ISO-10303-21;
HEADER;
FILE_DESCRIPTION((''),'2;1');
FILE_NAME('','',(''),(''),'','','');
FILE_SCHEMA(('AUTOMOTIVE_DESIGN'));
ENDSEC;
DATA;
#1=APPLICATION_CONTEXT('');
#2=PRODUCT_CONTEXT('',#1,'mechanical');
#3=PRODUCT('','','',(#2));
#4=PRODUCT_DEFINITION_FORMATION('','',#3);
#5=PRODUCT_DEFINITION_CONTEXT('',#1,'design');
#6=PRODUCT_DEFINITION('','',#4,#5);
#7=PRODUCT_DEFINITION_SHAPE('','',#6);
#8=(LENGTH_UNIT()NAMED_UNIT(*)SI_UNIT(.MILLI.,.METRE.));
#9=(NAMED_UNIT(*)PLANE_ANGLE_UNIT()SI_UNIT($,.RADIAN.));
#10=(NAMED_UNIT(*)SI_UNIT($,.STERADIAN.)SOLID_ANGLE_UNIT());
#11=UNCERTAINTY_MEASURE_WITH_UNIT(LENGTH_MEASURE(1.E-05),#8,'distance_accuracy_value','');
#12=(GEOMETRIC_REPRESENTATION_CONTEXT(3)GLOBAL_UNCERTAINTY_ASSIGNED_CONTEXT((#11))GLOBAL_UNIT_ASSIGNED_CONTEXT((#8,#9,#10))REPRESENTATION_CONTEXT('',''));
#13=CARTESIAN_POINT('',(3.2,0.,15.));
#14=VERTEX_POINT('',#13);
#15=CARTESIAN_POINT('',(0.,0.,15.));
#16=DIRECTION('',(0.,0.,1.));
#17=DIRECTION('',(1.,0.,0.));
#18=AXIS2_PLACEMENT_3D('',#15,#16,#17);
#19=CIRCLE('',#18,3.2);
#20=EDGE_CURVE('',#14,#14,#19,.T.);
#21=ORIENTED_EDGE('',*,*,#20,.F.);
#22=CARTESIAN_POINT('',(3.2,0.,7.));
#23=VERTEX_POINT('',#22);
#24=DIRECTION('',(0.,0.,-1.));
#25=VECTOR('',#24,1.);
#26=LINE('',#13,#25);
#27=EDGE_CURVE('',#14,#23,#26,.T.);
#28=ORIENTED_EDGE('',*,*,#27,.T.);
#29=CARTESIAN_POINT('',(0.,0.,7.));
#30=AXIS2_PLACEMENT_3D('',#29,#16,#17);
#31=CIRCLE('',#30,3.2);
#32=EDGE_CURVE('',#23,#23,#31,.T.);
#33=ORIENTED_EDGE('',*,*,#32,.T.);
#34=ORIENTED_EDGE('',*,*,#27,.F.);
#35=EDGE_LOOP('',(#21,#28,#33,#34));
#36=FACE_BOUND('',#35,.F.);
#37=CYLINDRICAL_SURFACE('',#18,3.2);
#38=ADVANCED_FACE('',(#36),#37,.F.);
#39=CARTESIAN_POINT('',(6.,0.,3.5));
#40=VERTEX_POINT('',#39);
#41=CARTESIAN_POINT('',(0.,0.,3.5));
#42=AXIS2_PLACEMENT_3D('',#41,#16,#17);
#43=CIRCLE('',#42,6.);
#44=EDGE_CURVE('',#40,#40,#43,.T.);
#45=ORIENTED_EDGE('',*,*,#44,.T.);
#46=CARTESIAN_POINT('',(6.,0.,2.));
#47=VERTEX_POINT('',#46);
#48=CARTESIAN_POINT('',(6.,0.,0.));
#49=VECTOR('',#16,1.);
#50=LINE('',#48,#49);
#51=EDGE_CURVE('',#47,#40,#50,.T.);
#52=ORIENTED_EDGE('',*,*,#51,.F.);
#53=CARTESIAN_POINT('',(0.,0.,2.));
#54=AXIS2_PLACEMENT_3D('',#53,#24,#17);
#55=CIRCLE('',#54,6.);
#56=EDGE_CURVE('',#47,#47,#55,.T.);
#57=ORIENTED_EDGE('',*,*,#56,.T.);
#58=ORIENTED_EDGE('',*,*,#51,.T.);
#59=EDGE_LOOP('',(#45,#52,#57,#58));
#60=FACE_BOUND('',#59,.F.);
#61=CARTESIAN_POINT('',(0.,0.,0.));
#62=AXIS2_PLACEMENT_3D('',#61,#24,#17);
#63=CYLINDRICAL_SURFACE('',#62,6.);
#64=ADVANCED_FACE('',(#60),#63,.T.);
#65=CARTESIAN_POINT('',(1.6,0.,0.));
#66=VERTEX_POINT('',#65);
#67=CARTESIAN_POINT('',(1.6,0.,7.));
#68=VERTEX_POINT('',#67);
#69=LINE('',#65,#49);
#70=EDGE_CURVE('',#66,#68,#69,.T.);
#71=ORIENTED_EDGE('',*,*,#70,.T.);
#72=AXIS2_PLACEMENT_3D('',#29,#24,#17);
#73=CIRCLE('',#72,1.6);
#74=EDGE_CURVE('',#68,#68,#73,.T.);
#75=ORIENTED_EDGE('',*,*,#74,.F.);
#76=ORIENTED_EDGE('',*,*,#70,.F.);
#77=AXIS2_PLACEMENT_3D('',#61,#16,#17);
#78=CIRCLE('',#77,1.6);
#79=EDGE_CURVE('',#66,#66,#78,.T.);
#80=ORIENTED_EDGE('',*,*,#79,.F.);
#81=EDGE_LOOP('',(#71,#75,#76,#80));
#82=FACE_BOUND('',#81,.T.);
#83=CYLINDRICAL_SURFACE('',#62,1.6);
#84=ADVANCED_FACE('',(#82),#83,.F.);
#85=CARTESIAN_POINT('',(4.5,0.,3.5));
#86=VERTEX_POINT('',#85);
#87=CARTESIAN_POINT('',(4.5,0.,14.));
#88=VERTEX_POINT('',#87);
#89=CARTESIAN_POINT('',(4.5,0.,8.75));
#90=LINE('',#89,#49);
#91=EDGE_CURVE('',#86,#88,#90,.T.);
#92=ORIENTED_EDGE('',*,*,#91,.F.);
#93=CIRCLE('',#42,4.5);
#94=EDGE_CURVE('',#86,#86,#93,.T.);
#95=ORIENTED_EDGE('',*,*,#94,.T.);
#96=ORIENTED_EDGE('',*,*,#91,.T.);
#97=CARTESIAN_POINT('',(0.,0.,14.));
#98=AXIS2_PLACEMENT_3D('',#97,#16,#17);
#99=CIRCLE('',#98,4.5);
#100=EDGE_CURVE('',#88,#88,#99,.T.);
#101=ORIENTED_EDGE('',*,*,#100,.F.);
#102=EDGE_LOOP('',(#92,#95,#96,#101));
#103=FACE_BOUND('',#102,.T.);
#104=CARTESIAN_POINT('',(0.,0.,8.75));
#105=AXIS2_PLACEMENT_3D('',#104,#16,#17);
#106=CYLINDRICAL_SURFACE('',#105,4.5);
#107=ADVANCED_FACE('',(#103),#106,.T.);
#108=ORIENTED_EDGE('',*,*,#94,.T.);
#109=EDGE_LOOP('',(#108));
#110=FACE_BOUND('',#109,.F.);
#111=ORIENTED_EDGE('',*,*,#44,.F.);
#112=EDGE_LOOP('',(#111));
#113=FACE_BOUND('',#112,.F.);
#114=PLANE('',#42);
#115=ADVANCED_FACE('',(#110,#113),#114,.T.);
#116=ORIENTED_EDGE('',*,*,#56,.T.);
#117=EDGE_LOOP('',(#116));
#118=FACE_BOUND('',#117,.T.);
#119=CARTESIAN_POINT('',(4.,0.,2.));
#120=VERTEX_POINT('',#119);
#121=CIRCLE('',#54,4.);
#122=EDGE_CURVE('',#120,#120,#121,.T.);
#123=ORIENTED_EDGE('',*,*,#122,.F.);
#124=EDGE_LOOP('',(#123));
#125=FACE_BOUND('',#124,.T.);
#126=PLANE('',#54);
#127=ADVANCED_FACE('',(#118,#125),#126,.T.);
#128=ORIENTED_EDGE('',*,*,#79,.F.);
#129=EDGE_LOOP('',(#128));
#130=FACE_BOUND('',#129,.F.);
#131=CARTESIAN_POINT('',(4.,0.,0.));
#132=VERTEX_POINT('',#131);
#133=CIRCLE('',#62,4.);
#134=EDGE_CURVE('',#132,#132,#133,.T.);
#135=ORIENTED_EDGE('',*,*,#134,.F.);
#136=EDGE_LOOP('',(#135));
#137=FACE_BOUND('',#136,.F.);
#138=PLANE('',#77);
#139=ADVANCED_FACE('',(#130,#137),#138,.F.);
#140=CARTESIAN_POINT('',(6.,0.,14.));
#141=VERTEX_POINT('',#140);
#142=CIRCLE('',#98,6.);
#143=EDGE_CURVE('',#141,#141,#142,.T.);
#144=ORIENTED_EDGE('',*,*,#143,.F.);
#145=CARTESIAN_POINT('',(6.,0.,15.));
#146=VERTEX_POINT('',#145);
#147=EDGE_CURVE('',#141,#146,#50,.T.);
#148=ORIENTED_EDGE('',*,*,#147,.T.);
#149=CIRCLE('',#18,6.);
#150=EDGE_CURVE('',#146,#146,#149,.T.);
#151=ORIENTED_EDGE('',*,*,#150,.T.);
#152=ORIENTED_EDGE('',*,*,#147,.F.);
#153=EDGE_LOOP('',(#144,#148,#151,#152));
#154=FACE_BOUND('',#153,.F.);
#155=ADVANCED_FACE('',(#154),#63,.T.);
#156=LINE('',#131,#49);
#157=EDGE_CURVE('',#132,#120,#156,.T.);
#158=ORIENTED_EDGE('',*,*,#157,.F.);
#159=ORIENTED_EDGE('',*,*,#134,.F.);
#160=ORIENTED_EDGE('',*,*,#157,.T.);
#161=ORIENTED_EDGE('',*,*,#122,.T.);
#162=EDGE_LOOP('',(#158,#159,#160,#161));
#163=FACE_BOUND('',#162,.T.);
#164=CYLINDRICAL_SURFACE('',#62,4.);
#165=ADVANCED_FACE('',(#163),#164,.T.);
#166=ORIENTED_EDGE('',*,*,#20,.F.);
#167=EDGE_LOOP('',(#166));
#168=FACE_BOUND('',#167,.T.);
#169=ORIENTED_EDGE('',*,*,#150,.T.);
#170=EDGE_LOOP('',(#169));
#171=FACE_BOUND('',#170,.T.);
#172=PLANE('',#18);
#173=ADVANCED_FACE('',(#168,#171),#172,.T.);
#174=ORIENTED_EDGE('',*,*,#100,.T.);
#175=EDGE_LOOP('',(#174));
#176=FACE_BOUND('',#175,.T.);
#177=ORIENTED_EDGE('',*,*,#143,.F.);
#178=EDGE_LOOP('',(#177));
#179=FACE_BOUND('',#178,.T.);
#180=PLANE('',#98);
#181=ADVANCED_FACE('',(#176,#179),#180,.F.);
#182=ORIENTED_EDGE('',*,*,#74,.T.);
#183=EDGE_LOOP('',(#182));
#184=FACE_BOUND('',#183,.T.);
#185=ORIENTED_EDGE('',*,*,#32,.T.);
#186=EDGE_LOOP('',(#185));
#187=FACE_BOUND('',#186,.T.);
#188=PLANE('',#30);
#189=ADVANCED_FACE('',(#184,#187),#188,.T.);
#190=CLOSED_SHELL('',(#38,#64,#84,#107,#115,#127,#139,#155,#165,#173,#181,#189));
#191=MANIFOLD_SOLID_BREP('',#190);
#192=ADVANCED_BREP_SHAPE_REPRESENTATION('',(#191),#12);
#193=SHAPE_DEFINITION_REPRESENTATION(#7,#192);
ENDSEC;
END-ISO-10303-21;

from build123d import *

# Parameters (mm, degrees)
SKETCH003_W     = 1.5
SKETCH003_H     = 10.5
SKETCH_R        = 6
SKETCH_R_2      = 1.6
PAD_DEPTH       = 15
SKETCH001_R     = 3.2
POCKET_DEPTH    = 8
SKETCH002_R     = 6
SKETCH002_R_2   = 4
POCKET001_DEPTH = 2


with BuildPart() as revolution:
    # Sketch003 → Revolution (revolve)
    with BuildSketch(Plane.XZ):
        with Locations((5.25, 8.75)):
            Rectangle(SKETCH003_W, SKETCH003_H)
    revolve(axis=Axis((0, 0, 0), (0, 0, 1)))


with BuildPart() as cut:
    # Sketch → Pad (new body)
    with BuildSketch(Plane.XY):
        Circle(SKETCH_R)
        Circle(SKETCH_R_2, mode=Mode.SUBTRACT)
    extrude(amount=PAD_DEPTH)

    # Sketch001 → Pocket (cut)
    with BuildSketch(Plane.XY.offset(15)):
        Circle(SKETCH001_R)
    extrude(amount=-POCKET_DEPTH, mode=Mode.SUBTRACT)

    # Sketch002 → Pocket001 (cut)
    with BuildSketch(Plane(origin=(0, 0, 0), x_dir=(1, 0, 0), z_dir=(0, 0, -1))):
        Circle(SKETCH002_R)
        Circle(SKETCH002_R_2, mode=Mode.SUBTRACT)
    extrude(amount=-POCKET001_DEPTH, mode=Mode.SUBTRACT)

    # Cut: cut Revolution
    add(revolution.part, mode=Mode.SUBTRACT)


solid = cut.part
